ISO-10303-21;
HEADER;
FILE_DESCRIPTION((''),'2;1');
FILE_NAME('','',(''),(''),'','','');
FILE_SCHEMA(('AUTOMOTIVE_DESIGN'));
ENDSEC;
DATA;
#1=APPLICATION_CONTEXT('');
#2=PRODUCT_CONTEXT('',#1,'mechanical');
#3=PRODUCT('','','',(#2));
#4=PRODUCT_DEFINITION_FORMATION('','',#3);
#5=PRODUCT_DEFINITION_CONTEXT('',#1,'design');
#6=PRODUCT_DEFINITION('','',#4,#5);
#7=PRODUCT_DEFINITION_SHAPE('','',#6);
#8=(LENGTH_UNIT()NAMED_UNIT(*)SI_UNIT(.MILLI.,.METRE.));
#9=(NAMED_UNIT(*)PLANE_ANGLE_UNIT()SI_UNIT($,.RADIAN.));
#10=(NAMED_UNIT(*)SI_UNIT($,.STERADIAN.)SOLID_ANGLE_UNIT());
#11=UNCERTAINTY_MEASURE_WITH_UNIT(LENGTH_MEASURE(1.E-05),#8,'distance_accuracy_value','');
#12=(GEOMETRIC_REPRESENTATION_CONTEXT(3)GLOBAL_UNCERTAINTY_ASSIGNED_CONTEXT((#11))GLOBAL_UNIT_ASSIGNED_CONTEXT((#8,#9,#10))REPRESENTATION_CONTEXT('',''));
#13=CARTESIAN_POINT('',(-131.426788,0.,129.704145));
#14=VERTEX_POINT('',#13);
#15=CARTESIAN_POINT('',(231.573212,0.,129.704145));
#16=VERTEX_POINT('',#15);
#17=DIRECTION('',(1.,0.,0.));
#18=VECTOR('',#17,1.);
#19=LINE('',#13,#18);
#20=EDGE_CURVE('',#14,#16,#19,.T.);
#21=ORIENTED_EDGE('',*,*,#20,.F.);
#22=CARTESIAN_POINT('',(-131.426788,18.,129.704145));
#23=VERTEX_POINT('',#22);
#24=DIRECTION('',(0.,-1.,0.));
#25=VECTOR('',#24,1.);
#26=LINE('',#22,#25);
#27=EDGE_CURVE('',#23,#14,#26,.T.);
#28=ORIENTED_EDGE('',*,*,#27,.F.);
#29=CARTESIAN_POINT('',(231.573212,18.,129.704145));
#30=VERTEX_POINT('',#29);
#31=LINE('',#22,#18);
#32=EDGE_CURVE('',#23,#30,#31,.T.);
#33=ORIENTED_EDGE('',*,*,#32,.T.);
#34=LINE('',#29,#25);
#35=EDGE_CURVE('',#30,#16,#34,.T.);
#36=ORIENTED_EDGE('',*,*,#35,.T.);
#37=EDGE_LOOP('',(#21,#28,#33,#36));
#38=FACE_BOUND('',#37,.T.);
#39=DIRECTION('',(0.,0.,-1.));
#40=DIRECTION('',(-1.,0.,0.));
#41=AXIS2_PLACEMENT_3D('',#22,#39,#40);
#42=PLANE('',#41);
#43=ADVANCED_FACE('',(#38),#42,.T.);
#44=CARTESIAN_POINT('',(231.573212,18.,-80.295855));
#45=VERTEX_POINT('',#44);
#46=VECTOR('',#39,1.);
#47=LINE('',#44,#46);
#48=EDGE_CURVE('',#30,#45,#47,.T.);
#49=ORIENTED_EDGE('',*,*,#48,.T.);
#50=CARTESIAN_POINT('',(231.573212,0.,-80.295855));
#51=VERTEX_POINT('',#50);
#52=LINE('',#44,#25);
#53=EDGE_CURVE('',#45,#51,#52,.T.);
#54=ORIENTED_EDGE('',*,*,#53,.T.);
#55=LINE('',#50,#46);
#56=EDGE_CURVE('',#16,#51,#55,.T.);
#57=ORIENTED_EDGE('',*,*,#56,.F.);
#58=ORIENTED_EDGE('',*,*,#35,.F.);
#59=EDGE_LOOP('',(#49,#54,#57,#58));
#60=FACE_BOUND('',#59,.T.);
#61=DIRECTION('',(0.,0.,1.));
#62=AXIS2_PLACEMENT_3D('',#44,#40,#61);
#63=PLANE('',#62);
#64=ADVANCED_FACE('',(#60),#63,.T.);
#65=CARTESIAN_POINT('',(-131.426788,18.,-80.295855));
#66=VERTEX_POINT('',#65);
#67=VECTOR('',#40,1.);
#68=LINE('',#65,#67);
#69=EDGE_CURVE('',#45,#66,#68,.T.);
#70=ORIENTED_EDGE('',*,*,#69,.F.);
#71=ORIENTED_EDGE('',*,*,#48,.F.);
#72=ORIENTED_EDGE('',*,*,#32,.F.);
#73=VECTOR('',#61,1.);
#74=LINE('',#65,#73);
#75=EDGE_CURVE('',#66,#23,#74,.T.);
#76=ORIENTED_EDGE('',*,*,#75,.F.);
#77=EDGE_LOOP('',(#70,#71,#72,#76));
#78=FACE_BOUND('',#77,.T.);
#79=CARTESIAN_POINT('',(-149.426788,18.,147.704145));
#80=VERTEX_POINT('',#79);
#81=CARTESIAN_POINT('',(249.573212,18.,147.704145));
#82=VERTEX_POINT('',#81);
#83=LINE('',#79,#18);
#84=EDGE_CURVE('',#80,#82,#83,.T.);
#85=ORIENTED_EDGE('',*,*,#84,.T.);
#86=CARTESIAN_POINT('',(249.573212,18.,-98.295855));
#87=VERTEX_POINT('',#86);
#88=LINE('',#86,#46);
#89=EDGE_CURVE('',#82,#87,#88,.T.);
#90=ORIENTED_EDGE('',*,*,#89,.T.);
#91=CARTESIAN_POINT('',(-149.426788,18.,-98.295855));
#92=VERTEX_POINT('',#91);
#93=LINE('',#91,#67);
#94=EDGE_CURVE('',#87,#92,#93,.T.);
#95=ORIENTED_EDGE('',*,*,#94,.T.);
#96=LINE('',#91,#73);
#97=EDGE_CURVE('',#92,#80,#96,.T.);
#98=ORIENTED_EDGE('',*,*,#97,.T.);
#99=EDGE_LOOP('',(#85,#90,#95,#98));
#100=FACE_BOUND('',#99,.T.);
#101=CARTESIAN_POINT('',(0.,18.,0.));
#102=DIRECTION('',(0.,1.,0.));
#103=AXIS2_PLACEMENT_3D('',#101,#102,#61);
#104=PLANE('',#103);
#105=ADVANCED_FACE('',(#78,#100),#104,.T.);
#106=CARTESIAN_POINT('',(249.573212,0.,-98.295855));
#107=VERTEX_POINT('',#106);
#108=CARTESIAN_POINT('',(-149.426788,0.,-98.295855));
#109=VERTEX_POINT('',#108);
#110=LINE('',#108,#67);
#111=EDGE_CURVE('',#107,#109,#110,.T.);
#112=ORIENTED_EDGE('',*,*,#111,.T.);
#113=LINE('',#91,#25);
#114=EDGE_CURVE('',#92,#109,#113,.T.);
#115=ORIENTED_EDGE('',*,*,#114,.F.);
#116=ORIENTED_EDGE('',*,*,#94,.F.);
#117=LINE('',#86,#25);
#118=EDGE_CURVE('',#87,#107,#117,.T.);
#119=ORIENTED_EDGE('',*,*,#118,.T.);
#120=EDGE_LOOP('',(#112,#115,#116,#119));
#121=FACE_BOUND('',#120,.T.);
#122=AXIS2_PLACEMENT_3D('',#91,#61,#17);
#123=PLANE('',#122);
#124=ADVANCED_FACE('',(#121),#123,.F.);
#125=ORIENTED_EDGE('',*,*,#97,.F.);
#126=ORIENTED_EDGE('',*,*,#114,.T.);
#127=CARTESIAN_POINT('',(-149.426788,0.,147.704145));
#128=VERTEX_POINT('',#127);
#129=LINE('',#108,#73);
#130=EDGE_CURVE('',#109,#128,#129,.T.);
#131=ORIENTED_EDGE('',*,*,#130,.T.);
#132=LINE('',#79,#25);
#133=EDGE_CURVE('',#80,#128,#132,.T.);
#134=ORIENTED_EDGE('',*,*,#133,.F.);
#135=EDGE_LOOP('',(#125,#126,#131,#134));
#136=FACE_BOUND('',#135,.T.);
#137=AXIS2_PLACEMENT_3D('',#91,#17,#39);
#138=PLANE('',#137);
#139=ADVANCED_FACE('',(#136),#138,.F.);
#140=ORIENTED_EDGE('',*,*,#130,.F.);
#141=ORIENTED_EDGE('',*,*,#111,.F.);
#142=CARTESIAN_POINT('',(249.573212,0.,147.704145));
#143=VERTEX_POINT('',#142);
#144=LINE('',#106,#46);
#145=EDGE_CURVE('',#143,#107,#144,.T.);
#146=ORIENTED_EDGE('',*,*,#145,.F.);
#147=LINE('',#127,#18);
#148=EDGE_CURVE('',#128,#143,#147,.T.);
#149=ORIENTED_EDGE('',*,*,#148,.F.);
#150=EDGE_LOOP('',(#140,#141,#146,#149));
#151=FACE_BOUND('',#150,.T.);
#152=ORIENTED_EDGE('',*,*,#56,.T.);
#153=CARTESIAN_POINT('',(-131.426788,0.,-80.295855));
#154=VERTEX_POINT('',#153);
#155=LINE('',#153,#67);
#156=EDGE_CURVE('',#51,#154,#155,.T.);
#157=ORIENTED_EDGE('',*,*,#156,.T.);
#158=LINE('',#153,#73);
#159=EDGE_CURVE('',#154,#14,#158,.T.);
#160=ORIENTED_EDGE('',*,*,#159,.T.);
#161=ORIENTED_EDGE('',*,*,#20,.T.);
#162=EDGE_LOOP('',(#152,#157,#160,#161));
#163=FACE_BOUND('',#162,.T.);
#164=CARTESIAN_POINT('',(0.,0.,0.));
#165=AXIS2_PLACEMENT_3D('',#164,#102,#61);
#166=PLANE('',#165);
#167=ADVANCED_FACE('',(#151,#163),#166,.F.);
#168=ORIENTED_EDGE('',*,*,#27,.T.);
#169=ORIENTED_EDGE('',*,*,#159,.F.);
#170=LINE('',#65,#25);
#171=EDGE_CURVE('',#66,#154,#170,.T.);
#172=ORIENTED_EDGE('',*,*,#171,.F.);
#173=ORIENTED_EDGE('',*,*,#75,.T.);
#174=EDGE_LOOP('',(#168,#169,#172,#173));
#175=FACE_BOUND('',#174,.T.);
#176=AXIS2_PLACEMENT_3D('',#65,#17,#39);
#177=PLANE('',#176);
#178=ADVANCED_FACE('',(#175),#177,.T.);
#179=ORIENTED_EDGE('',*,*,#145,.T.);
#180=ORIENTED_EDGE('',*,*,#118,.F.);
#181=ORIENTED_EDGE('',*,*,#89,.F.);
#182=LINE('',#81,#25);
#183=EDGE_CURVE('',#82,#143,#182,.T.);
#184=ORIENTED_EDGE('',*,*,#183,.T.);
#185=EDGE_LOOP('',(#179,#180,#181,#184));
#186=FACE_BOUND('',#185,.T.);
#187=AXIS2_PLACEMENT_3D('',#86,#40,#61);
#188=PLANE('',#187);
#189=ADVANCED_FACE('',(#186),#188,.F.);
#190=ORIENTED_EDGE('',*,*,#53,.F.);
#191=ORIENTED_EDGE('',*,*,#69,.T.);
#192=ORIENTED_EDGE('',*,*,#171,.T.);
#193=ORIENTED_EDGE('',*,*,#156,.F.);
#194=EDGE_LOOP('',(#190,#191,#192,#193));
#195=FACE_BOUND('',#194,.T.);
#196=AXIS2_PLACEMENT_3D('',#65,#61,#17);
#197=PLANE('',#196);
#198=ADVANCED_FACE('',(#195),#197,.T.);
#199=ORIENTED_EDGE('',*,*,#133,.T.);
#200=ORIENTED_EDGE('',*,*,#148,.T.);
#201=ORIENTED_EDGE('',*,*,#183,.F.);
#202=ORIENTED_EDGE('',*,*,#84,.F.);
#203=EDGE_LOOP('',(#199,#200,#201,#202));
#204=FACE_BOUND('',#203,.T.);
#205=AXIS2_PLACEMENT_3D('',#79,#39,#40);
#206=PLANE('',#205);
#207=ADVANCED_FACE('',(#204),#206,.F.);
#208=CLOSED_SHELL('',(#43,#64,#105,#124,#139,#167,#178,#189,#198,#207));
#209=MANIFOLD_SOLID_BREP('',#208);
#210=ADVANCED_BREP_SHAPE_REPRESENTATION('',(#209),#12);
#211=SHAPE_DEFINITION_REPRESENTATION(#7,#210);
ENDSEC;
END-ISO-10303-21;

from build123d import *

# Parameters (mm, degrees)
SKETCH1_W           = 399
SKETCH1_H           = 246
SKETCH1_W_2         = 363
SKETCH1_H_2         = 210
BOSS_EXTRUDE1_DEPTH = 18


with BuildPart() as part:
    # Sketch1 → Boss-Extrude1 (new body)
    with BuildSketch(Plane(origin=(0, 0, 0), x_dir=(1, 0, 0), z_dir=(0, 1, 0))):
        with Locations((50.073212119, -24.704144739)):
            Rectangle(SKETCH1_W, SKETCH1_H)
        with Locations((50.073212119, -24.704144739)):
            Rectangle(SKETCH1_W_2, SKETCH1_H_2, mode=Mode.SUBTRACT)
    extrude(amount=BOSS_EXTRUDE1_DEPTH)


solid = part.part
